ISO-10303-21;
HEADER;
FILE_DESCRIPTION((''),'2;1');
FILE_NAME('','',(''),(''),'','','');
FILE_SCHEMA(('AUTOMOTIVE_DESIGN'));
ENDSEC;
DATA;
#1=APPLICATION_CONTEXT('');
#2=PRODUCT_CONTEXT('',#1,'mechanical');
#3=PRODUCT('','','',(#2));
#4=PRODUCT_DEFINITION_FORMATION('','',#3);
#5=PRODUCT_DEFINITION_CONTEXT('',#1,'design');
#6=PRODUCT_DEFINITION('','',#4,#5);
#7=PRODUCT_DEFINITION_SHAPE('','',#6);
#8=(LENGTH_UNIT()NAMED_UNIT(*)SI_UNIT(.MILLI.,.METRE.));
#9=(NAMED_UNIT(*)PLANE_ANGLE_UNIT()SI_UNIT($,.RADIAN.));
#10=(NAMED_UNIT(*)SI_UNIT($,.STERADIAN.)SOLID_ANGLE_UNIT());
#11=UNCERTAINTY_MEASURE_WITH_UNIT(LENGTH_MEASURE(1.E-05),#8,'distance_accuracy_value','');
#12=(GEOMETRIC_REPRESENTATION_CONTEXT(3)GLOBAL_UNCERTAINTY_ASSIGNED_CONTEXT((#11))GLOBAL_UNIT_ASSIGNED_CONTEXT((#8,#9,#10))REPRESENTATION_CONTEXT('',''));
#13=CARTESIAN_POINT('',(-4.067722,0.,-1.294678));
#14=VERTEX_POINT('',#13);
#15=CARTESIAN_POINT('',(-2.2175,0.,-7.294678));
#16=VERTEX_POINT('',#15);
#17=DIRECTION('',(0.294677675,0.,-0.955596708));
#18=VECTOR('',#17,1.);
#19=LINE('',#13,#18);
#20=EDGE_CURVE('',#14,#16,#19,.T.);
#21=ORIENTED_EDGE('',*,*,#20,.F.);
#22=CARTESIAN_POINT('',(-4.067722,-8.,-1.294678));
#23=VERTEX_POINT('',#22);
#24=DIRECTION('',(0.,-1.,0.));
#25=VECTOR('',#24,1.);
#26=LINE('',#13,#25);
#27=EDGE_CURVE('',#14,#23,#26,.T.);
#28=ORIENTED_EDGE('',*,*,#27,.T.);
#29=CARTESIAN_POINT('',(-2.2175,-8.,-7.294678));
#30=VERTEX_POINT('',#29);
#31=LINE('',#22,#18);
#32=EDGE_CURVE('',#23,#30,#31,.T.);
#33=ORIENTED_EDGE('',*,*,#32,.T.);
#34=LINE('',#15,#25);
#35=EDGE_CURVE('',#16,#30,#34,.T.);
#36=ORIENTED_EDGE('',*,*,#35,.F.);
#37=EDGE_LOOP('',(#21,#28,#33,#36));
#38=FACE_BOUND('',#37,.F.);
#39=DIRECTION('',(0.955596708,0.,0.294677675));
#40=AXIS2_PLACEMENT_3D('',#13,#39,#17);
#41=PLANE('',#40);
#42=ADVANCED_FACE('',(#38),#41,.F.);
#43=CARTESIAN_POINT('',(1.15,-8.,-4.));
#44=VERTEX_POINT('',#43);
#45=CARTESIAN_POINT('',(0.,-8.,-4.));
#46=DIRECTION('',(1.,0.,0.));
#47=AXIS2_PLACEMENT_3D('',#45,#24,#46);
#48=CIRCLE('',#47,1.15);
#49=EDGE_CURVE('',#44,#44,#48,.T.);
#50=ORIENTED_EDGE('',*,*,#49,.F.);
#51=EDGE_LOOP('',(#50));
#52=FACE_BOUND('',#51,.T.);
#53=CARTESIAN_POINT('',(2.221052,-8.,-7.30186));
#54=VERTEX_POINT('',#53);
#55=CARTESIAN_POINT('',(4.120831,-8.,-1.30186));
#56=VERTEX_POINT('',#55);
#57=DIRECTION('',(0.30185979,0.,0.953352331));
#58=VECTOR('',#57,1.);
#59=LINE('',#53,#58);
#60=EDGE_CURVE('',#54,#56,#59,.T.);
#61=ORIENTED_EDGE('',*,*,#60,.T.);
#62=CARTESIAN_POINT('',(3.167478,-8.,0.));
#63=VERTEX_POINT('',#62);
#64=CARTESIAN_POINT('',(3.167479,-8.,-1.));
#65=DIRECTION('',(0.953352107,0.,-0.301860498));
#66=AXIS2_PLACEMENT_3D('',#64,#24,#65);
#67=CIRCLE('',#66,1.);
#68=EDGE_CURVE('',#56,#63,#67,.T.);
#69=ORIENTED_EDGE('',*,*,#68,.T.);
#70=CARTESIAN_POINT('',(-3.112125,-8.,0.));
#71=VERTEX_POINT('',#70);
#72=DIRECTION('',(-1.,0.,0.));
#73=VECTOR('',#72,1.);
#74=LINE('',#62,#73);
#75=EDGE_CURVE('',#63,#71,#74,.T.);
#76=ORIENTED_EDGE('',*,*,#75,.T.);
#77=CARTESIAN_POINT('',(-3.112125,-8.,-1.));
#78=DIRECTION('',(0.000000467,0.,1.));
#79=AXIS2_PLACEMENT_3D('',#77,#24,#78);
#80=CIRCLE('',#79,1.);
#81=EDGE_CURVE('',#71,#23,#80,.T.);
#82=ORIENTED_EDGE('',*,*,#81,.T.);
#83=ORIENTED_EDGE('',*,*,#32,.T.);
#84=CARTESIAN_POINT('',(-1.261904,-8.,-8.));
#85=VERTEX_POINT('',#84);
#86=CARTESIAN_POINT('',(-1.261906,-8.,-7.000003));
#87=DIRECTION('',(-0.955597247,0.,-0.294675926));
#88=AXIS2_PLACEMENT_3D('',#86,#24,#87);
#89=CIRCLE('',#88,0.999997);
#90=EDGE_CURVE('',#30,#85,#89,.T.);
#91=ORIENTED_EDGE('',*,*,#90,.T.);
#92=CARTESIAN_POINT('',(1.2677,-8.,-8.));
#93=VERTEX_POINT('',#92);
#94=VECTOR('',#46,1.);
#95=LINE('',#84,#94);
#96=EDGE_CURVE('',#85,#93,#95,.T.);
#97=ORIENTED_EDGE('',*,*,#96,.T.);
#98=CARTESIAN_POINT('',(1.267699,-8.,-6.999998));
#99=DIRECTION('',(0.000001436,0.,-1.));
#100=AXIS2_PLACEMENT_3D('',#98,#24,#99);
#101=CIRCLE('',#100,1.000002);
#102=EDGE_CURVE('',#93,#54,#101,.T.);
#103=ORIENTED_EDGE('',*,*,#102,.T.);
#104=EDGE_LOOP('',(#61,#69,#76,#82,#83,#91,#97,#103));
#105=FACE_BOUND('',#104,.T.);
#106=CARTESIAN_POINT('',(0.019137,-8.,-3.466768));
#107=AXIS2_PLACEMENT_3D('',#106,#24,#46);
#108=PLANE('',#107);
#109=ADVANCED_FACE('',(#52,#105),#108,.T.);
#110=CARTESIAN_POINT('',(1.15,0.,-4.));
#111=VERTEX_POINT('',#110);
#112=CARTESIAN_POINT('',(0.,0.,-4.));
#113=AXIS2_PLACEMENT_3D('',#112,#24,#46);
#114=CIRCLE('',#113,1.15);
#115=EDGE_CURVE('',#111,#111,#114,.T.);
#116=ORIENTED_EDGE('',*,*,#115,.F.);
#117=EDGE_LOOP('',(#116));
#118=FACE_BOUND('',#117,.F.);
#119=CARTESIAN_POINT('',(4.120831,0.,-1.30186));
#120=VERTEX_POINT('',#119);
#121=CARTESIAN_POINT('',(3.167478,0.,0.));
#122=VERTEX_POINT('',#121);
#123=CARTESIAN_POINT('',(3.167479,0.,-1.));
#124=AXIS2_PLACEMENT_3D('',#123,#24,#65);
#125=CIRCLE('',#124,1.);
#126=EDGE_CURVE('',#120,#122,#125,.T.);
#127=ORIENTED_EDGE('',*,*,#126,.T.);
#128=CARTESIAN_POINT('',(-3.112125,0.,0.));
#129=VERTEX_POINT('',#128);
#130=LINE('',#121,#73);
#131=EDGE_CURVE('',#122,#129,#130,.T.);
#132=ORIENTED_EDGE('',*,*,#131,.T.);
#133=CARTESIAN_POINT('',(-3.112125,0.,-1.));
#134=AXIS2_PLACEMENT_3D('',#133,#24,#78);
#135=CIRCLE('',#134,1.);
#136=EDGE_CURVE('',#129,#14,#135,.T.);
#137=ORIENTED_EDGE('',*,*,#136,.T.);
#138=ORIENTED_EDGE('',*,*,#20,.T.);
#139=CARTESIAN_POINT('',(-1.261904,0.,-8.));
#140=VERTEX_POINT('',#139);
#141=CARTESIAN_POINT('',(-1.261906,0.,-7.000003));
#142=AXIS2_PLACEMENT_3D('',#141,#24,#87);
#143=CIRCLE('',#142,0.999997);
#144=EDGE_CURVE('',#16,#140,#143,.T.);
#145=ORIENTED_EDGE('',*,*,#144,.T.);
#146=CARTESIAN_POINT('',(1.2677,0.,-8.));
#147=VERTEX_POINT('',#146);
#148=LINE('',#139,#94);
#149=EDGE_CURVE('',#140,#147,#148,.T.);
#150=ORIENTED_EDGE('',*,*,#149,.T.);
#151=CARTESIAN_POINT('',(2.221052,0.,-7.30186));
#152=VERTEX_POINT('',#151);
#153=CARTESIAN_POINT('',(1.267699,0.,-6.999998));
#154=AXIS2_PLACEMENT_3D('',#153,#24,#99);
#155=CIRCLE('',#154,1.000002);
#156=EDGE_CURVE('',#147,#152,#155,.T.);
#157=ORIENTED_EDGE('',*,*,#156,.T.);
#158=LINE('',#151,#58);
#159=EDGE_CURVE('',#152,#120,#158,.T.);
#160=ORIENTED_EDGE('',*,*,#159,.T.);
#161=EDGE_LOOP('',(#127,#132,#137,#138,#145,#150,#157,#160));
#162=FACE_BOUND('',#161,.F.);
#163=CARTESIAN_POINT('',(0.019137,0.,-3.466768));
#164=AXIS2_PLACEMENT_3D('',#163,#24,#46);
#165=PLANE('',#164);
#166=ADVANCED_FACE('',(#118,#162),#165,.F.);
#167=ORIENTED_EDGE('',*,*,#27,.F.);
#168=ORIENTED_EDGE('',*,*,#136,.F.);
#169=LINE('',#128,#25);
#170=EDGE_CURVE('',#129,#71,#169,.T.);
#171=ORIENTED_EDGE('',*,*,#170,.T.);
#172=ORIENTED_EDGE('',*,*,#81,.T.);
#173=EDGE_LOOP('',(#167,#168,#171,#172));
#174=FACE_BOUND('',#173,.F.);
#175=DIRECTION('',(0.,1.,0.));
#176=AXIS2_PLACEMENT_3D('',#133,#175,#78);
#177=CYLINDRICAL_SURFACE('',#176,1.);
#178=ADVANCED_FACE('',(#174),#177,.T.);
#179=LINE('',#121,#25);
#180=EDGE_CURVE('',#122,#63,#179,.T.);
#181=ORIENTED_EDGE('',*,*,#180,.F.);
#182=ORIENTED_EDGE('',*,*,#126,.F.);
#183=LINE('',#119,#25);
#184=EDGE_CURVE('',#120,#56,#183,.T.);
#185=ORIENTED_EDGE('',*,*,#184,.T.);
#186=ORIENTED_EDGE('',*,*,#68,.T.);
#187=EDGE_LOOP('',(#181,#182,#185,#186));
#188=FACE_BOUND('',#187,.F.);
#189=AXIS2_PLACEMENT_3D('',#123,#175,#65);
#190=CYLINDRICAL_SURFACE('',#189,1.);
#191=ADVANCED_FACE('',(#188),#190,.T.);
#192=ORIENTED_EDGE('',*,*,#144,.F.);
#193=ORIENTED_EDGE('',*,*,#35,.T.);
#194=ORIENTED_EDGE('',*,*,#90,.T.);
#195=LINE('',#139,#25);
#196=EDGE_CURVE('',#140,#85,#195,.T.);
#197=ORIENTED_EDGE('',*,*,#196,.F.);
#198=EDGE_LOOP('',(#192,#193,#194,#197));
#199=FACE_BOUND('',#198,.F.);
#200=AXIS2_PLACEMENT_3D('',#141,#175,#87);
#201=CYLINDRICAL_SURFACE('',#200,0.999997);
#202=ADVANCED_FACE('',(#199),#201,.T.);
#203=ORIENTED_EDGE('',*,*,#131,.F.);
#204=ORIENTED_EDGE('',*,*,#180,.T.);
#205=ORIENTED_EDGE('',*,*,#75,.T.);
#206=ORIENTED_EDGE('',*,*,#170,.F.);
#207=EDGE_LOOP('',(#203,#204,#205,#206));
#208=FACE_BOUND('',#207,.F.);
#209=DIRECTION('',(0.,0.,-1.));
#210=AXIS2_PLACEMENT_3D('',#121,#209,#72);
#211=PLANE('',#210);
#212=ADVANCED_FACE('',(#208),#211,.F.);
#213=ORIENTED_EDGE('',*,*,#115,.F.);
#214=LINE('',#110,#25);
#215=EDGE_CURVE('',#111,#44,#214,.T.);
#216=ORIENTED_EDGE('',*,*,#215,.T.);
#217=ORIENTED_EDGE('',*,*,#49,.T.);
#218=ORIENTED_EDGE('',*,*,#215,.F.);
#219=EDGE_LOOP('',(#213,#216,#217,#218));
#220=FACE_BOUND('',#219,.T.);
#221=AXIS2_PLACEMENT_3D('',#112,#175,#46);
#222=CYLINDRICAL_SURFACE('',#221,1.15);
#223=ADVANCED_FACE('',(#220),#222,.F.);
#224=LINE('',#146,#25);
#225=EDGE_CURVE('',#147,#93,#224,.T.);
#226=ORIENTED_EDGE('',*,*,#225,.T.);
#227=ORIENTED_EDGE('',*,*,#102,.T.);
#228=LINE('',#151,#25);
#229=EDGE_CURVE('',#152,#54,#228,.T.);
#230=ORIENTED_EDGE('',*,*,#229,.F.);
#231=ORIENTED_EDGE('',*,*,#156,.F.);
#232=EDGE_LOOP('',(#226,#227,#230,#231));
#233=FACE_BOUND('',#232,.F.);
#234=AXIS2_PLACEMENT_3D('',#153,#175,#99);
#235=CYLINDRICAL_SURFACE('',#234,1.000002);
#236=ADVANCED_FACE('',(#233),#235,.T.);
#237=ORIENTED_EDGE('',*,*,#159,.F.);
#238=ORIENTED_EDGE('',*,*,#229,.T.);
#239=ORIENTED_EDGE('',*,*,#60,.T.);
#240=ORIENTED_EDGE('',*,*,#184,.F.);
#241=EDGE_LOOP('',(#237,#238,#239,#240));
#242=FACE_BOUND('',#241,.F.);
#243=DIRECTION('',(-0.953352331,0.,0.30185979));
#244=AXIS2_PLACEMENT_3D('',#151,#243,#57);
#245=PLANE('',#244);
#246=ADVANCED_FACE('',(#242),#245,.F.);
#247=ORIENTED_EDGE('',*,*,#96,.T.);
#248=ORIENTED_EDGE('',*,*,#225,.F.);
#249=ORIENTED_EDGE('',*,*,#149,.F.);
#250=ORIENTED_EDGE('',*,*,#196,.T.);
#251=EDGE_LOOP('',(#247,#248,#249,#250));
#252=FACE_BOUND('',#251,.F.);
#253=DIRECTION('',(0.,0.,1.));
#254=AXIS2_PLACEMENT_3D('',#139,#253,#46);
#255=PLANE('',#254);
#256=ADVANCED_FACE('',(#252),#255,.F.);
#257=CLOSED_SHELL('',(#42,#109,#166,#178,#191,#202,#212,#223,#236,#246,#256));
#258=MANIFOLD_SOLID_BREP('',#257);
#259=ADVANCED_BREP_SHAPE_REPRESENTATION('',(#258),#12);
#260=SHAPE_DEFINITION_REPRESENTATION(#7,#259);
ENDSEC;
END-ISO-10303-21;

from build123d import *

# Parameters (mm, degrees)
F0_R     = 1.15
F1_DEPTH = 8


with BuildPart() as f1:
    # F0 (on Front) → F1 (new body)
    with BuildSketch(Plane.XZ):
        with BuildLine():
            Line((3.167478, 0), (-3.112125, 0))
            ThreePointArc((-3.112125, 0), (-3.916699, -0.406147), (-4.067722, -1.294678))
            Line((-4.067722, -1.294678), (-2.2175, -7.294678))
            ThreePointArc((-2.2175, -7.294678), (-1.855757, -7.804574), (-1.261904, -8))
            Line((-1.261904, -8), (1.2677, -8))
            ThreePointArc((1.2677, -8), (1.858521, -7.806802), (2.221052, -7.30186))
            Line((2.221052, -7.30186), (4.120831, -1.30186))
            ThreePointArc((4.120831, -1.30186), (3.974281, -0.409178), (3.167478, 0))
        make_face()
        with Locations((0, -4)):
            Circle(F0_R, mode=Mode.SUBTRACT)
    extrude(amount=F1_DEPTH)


solid = f1.part
